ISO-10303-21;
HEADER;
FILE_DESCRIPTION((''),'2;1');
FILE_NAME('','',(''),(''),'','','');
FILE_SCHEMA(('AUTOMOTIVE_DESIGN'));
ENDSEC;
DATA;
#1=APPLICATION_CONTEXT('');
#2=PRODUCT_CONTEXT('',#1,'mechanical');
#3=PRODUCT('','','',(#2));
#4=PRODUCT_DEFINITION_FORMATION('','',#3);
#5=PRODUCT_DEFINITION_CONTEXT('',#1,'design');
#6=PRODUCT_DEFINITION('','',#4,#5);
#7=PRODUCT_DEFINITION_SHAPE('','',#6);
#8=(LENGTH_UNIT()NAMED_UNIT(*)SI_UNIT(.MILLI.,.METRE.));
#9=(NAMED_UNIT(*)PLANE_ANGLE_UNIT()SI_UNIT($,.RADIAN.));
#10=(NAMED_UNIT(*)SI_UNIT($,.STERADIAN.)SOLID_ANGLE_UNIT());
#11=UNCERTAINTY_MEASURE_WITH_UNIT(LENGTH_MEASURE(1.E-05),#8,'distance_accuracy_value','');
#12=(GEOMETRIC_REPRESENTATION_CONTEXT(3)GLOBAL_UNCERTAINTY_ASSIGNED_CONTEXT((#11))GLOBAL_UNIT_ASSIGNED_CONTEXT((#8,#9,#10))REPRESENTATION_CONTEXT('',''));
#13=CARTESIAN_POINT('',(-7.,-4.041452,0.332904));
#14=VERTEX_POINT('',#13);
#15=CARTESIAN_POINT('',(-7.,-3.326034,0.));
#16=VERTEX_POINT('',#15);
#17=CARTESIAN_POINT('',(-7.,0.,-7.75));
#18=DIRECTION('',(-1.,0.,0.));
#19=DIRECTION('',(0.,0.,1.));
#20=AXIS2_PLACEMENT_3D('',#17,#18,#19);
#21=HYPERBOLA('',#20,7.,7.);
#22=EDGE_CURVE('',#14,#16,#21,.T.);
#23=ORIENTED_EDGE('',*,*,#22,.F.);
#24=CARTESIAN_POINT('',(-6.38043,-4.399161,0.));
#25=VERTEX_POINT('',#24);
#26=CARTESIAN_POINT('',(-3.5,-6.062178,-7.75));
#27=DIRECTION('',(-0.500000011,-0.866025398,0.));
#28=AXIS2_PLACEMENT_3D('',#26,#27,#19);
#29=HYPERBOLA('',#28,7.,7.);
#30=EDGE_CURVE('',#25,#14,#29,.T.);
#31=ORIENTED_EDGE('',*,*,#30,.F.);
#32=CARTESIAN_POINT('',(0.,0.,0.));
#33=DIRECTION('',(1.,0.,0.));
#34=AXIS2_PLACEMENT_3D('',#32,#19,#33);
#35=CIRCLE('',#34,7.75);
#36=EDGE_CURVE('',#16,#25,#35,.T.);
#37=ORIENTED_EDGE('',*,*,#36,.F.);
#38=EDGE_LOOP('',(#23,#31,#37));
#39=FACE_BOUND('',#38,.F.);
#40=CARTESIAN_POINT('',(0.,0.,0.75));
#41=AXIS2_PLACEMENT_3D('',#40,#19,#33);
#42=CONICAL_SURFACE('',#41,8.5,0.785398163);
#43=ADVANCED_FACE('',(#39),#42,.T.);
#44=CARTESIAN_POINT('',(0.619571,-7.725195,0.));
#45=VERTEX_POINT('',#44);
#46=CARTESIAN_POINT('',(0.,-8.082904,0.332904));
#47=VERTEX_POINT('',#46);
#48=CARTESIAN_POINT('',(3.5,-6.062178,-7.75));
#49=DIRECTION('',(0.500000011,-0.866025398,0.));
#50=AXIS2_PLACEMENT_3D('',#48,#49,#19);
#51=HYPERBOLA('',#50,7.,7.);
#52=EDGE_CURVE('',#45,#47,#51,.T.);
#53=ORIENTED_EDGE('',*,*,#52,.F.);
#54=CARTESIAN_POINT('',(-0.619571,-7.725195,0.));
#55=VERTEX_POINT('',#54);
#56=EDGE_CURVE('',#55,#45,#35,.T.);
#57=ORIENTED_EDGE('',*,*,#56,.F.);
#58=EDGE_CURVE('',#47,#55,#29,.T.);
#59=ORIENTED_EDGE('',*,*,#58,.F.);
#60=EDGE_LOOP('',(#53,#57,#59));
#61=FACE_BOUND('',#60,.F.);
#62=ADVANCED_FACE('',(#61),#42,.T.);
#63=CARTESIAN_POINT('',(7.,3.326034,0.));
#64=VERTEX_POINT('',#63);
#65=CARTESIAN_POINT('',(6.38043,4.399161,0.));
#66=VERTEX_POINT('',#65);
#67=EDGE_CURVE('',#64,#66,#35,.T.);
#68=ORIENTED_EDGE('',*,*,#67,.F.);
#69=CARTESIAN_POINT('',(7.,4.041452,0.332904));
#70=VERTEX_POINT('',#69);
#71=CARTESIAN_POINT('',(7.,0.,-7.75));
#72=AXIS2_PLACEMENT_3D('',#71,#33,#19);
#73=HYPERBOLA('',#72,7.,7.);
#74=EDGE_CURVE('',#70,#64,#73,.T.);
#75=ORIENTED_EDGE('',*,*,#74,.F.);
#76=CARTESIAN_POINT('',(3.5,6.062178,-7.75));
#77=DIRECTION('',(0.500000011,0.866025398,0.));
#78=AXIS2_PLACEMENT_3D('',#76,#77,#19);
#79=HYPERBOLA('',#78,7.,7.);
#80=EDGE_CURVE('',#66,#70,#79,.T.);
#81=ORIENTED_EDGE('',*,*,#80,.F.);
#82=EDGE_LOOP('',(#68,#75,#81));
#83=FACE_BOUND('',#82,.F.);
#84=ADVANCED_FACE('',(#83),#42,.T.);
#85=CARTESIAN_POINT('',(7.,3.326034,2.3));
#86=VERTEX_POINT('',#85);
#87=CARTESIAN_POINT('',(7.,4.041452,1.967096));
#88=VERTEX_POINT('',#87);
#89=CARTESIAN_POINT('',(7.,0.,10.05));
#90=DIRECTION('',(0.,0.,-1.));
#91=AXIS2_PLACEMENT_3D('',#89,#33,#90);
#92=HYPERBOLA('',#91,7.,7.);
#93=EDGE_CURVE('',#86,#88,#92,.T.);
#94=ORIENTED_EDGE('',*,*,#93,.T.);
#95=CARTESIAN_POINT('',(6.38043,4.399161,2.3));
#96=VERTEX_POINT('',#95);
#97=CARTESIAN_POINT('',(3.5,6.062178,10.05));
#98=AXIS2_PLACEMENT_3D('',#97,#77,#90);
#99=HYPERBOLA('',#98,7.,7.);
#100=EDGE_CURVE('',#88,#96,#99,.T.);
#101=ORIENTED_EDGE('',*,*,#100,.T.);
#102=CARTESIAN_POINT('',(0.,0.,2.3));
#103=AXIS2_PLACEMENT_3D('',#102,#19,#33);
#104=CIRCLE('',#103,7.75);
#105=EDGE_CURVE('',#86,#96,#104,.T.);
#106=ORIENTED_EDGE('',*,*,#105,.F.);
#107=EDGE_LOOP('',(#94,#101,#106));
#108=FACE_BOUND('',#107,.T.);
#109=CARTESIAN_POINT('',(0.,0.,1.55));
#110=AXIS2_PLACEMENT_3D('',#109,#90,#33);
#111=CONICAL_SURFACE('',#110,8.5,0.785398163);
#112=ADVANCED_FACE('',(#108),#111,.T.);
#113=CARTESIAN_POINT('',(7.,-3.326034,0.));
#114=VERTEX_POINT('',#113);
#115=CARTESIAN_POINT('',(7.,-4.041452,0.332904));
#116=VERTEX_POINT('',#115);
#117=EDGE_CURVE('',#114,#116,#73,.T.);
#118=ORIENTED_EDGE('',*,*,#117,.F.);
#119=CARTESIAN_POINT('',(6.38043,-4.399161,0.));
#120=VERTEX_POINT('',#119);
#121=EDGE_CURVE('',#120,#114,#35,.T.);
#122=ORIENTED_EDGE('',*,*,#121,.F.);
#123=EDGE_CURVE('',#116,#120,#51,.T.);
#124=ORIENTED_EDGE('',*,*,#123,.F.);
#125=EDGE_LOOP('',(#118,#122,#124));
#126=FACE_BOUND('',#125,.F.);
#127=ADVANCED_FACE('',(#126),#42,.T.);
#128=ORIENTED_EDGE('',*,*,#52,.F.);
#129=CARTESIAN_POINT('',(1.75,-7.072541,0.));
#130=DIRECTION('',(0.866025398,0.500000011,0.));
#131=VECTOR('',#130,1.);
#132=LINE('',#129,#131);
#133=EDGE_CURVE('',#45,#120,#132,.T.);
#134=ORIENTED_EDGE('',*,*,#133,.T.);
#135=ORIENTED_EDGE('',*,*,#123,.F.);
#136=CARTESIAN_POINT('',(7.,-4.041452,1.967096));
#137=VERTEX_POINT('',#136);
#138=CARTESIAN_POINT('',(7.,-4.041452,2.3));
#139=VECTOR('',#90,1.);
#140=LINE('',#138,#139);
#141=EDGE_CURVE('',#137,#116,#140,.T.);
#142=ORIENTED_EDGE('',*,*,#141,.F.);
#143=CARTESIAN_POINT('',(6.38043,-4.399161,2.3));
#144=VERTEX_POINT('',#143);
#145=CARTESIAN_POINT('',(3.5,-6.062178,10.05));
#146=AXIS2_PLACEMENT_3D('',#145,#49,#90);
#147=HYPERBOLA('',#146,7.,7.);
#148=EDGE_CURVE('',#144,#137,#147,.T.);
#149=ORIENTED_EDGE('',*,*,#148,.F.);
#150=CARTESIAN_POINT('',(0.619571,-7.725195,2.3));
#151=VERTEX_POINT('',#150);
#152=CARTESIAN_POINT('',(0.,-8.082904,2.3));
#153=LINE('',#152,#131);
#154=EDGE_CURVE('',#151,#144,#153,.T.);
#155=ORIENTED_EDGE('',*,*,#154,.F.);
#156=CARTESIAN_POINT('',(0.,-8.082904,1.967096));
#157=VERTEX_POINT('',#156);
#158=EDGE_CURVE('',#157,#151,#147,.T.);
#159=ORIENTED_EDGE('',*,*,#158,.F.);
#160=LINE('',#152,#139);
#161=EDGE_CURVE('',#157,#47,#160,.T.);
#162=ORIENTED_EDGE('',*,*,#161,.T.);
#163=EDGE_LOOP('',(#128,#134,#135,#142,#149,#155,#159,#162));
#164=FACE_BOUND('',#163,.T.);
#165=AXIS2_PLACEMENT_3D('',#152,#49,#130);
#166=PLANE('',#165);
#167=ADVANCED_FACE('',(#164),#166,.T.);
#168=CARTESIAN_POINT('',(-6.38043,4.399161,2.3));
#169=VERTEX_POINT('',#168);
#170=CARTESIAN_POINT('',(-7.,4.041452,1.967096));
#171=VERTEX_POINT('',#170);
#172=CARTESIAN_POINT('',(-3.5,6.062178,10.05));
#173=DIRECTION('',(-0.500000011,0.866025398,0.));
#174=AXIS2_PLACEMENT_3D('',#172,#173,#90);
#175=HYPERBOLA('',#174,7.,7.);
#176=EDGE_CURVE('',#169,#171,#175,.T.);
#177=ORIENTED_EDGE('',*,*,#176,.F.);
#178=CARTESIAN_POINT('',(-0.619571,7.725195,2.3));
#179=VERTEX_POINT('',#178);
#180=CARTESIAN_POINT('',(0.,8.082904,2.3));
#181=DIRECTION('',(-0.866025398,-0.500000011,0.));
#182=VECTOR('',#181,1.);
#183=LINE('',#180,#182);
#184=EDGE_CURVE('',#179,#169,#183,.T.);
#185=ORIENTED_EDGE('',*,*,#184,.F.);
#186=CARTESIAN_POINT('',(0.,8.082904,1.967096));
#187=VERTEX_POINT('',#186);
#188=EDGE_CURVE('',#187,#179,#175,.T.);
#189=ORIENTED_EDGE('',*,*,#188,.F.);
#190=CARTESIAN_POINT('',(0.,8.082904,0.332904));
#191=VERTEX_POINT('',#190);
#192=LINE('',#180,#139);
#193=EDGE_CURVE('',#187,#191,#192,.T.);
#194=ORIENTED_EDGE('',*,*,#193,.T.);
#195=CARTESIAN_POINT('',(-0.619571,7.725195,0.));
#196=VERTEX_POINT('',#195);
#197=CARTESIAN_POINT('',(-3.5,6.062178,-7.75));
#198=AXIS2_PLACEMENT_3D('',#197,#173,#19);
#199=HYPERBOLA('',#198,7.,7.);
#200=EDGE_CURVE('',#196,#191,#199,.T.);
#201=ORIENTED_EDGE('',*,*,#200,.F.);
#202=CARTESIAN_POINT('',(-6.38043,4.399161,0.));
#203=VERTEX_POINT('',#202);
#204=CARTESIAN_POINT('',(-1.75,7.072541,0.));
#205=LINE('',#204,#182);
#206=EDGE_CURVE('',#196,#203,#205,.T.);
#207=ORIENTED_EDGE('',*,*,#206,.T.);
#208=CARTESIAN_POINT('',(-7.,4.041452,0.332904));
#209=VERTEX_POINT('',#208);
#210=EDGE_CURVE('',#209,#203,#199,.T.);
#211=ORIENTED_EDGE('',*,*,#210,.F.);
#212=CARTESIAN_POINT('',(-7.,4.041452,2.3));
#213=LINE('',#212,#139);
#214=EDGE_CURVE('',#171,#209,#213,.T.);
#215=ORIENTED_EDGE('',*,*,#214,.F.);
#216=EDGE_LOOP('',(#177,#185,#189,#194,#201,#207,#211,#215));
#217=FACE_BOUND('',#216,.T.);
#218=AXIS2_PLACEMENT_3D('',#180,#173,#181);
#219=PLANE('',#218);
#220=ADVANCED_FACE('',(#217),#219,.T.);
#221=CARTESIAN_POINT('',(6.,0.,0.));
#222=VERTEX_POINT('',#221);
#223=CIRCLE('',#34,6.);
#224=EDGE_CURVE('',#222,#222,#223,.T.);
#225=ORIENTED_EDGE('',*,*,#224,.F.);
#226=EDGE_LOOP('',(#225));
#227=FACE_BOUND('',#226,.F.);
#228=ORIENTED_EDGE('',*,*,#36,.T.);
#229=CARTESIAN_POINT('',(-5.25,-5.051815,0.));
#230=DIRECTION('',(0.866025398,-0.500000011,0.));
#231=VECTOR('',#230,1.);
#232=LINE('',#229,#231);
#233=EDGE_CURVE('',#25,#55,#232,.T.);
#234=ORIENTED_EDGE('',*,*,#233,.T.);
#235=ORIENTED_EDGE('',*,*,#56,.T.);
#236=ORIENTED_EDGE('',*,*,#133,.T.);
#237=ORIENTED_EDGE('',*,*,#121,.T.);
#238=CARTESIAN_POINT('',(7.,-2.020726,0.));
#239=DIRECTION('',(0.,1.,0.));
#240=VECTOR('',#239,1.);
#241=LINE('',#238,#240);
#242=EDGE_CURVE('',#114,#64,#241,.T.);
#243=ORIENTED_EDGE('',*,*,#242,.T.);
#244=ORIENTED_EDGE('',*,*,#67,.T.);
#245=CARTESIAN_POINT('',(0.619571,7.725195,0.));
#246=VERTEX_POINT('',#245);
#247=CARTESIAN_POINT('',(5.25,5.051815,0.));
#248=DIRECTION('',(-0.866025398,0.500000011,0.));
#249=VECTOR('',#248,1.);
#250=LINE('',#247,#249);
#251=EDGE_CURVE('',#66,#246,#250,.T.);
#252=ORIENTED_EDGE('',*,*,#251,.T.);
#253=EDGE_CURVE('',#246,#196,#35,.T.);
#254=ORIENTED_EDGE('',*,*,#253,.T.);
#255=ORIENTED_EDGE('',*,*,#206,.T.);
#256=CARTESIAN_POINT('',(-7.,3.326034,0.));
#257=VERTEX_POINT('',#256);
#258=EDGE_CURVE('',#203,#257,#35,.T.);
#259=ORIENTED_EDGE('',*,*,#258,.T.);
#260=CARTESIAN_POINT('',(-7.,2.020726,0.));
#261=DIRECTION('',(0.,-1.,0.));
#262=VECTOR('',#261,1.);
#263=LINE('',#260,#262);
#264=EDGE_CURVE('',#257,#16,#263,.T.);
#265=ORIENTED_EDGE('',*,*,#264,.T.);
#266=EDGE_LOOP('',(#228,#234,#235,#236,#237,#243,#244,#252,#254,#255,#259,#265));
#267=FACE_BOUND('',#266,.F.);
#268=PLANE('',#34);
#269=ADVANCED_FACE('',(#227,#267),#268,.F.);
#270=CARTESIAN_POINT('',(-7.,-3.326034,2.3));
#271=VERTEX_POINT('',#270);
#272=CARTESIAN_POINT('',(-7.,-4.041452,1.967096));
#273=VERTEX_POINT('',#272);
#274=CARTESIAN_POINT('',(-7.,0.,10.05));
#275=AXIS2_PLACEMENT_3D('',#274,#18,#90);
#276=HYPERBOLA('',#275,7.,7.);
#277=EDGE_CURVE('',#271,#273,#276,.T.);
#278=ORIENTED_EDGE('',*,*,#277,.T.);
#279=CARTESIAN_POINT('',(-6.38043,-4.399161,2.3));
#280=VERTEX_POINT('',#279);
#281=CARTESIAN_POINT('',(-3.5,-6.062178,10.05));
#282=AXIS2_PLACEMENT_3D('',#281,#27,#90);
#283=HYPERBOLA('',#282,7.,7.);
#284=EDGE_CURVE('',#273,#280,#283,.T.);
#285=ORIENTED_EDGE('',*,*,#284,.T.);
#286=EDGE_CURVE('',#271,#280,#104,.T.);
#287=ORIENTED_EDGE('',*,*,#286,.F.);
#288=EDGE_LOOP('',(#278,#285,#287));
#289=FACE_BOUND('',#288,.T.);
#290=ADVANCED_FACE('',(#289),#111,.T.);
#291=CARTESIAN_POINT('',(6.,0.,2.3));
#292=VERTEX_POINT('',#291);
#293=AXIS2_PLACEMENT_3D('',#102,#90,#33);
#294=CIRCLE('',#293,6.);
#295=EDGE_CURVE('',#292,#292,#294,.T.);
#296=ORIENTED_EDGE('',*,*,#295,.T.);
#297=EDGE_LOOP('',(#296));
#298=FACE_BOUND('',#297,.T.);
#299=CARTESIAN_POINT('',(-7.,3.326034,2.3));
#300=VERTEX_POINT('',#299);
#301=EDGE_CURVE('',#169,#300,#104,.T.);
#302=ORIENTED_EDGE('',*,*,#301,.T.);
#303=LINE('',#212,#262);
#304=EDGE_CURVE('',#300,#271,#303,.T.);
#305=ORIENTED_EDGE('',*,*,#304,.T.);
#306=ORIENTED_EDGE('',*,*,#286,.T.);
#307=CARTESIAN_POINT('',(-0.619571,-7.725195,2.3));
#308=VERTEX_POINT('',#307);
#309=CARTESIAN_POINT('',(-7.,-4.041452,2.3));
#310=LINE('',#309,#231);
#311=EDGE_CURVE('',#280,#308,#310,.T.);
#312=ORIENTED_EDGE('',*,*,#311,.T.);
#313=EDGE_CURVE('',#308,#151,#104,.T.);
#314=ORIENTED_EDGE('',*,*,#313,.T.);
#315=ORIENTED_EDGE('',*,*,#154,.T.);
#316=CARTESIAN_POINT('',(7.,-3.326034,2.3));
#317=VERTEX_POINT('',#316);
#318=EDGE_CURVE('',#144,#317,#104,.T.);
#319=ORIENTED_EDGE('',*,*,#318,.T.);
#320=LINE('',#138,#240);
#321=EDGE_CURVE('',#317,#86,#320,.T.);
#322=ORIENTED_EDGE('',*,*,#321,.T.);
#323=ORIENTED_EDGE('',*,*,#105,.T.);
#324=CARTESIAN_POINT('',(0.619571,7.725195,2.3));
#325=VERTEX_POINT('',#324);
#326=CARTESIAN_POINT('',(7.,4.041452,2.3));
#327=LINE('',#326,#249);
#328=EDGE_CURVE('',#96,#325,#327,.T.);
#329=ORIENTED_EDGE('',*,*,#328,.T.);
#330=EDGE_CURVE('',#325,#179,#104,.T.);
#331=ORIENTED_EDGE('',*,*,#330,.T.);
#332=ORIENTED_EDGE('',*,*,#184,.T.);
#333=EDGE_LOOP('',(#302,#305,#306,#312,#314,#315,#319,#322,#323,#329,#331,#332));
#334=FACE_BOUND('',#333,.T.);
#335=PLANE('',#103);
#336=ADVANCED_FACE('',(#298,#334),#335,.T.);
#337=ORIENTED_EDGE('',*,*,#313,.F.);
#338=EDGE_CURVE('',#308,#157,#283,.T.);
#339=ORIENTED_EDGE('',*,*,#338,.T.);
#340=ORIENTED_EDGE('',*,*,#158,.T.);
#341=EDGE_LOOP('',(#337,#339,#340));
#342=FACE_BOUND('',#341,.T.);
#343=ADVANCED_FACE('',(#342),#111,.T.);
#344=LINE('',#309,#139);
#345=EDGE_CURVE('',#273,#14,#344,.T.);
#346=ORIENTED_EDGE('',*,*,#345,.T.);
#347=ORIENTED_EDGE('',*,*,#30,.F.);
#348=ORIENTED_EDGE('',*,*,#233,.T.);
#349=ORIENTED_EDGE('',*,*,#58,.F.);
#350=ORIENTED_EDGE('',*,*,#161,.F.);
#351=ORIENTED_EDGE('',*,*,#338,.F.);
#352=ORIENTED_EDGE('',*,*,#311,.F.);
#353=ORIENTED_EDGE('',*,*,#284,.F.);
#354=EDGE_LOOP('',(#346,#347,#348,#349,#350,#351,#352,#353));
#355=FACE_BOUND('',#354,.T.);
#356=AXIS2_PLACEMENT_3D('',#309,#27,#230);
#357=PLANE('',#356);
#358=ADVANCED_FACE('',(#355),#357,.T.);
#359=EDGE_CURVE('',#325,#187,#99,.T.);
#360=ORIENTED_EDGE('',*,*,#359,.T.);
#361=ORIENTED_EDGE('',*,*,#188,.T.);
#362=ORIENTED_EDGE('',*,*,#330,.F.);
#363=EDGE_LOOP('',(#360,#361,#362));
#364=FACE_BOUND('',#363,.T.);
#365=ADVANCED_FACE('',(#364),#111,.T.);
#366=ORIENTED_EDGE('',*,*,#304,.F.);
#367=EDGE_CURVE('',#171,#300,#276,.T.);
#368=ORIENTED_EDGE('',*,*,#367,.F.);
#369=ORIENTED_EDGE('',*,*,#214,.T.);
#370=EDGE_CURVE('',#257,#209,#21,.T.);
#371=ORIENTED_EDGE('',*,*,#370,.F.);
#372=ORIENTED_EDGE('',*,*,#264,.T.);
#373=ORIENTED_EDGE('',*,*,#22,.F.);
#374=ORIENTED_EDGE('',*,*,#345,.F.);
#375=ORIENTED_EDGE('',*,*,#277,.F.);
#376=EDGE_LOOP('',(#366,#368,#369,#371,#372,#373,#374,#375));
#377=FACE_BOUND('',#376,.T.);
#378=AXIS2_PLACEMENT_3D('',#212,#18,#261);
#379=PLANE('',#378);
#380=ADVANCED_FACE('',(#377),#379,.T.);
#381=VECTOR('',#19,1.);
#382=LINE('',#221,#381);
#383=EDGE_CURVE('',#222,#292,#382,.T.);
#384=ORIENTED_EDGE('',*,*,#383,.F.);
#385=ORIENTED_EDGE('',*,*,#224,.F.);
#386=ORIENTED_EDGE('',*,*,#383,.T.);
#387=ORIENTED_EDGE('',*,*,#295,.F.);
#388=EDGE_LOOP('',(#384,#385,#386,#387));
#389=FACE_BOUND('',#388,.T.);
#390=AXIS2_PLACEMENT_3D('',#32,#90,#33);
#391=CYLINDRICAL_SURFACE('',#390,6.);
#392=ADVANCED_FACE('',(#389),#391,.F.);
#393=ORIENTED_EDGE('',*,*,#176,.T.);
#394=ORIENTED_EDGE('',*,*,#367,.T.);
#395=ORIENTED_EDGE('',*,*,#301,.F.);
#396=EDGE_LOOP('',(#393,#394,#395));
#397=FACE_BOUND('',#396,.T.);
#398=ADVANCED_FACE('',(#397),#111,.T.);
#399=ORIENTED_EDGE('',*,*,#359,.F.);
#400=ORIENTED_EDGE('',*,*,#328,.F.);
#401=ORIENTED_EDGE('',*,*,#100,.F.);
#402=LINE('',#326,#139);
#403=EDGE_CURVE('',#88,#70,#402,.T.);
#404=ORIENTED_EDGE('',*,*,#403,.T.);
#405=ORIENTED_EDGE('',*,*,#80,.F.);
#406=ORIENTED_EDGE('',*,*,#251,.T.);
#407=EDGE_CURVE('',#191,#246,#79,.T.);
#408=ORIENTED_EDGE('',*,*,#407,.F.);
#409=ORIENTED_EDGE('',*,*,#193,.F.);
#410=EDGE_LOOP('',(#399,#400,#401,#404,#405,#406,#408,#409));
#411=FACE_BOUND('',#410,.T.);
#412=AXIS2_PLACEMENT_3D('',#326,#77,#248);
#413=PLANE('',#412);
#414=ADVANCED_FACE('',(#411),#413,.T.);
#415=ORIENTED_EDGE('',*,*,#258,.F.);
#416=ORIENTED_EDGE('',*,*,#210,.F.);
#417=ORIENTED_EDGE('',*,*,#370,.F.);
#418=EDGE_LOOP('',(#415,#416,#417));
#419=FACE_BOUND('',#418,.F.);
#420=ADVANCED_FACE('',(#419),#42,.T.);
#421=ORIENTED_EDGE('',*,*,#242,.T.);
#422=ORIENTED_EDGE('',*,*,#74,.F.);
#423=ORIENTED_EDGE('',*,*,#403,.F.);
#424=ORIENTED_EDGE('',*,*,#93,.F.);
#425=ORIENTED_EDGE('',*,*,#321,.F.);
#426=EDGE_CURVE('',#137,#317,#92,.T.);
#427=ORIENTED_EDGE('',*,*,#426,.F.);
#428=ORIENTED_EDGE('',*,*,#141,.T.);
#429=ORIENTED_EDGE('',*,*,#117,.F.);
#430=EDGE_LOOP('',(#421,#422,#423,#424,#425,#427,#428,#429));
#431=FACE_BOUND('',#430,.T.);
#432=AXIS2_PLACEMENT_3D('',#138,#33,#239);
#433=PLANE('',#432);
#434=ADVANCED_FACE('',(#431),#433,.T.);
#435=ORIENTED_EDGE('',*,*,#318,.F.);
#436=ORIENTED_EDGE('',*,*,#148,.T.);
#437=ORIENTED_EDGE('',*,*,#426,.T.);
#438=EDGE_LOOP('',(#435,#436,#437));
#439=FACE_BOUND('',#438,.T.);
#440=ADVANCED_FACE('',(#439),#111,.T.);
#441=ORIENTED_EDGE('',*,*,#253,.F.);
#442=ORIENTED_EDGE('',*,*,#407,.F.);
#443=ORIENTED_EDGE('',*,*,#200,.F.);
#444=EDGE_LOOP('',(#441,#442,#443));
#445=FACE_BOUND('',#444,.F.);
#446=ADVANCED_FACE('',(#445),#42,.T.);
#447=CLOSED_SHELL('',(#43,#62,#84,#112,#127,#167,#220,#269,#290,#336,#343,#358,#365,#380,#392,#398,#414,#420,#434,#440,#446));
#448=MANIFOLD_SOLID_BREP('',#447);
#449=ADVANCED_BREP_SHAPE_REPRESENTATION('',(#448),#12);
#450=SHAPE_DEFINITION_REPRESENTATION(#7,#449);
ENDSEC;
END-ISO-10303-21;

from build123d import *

# Parameters (mm, degrees)
SKETCH024_R          = 8.5
PAD002_DEPTH         = 2.3
CHAMFER004_SIZE      = 0.75
CHAMFER005_SIZE      = 0.75
SKETCH025_R          = 9.684824
POCKET019_DEPTH      = 2.301
POCKET019_DEPTH_BACK = 0.001
SKETCH026_R          = 6
POCKET020_DEPTH      = 0.001
POCKET020_DEPTH_BACK = 2.301


with BuildPart() as part:
    # Sketch024 → Pad002 (new body)
    with BuildSketch(Plane.XY):
        Circle(SKETCH024_R)
    extrude(amount=PAD002_DEPTH)

    # Chamfer004
    chamfer004_edges = [part.edges().sort_by_distance(p)[0] for p in [
        (-8.5, 0, 2.3),
    ]]
    chamfer(chamfer004_edges, length=CHAMFER004_SIZE)

    # Chamfer005
    chamfer005_edges = [part.edges().sort_by_distance(p)[0] for p in [
        (-8.5, 0, 0),
    ]]
    chamfer(chamfer005_edges, length=CHAMFER005_SIZE)

    # Sketch025 (on Face3 of Pad002) → Pocket019 (cut, two sides)
    with BuildSketch(Plane.XY.offset(2.3)) as pocket019_sk:
        Circle(SKETCH025_R)
        Polygon((0, 8.082904), (-7, 4.041452), (-7, -4.041452), (0, -8.082904), (7, -4.041452), (7, 4.041452), align=None, mode=Mode.SUBTRACT)
    extrude(amount=-POCKET019_DEPTH, mode=Mode.SUBTRACT)
    extrude(pocket019_sk.sketch, amount=POCKET019_DEPTH_BACK, mode=Mode.SUBTRACT)

    # Sketch026 → Pocket020 (cut, two sides)
    with BuildSketch(Plane.XY) as pocket020_sk:
        Circle(SKETCH026_R)
    extrude(amount=-POCKET020_DEPTH, mode=Mode.SUBTRACT)
    extrude(pocket020_sk.sketch, amount=POCKET020_DEPTH_BACK, mode=Mode.SUBTRACT)


solid = part.part
